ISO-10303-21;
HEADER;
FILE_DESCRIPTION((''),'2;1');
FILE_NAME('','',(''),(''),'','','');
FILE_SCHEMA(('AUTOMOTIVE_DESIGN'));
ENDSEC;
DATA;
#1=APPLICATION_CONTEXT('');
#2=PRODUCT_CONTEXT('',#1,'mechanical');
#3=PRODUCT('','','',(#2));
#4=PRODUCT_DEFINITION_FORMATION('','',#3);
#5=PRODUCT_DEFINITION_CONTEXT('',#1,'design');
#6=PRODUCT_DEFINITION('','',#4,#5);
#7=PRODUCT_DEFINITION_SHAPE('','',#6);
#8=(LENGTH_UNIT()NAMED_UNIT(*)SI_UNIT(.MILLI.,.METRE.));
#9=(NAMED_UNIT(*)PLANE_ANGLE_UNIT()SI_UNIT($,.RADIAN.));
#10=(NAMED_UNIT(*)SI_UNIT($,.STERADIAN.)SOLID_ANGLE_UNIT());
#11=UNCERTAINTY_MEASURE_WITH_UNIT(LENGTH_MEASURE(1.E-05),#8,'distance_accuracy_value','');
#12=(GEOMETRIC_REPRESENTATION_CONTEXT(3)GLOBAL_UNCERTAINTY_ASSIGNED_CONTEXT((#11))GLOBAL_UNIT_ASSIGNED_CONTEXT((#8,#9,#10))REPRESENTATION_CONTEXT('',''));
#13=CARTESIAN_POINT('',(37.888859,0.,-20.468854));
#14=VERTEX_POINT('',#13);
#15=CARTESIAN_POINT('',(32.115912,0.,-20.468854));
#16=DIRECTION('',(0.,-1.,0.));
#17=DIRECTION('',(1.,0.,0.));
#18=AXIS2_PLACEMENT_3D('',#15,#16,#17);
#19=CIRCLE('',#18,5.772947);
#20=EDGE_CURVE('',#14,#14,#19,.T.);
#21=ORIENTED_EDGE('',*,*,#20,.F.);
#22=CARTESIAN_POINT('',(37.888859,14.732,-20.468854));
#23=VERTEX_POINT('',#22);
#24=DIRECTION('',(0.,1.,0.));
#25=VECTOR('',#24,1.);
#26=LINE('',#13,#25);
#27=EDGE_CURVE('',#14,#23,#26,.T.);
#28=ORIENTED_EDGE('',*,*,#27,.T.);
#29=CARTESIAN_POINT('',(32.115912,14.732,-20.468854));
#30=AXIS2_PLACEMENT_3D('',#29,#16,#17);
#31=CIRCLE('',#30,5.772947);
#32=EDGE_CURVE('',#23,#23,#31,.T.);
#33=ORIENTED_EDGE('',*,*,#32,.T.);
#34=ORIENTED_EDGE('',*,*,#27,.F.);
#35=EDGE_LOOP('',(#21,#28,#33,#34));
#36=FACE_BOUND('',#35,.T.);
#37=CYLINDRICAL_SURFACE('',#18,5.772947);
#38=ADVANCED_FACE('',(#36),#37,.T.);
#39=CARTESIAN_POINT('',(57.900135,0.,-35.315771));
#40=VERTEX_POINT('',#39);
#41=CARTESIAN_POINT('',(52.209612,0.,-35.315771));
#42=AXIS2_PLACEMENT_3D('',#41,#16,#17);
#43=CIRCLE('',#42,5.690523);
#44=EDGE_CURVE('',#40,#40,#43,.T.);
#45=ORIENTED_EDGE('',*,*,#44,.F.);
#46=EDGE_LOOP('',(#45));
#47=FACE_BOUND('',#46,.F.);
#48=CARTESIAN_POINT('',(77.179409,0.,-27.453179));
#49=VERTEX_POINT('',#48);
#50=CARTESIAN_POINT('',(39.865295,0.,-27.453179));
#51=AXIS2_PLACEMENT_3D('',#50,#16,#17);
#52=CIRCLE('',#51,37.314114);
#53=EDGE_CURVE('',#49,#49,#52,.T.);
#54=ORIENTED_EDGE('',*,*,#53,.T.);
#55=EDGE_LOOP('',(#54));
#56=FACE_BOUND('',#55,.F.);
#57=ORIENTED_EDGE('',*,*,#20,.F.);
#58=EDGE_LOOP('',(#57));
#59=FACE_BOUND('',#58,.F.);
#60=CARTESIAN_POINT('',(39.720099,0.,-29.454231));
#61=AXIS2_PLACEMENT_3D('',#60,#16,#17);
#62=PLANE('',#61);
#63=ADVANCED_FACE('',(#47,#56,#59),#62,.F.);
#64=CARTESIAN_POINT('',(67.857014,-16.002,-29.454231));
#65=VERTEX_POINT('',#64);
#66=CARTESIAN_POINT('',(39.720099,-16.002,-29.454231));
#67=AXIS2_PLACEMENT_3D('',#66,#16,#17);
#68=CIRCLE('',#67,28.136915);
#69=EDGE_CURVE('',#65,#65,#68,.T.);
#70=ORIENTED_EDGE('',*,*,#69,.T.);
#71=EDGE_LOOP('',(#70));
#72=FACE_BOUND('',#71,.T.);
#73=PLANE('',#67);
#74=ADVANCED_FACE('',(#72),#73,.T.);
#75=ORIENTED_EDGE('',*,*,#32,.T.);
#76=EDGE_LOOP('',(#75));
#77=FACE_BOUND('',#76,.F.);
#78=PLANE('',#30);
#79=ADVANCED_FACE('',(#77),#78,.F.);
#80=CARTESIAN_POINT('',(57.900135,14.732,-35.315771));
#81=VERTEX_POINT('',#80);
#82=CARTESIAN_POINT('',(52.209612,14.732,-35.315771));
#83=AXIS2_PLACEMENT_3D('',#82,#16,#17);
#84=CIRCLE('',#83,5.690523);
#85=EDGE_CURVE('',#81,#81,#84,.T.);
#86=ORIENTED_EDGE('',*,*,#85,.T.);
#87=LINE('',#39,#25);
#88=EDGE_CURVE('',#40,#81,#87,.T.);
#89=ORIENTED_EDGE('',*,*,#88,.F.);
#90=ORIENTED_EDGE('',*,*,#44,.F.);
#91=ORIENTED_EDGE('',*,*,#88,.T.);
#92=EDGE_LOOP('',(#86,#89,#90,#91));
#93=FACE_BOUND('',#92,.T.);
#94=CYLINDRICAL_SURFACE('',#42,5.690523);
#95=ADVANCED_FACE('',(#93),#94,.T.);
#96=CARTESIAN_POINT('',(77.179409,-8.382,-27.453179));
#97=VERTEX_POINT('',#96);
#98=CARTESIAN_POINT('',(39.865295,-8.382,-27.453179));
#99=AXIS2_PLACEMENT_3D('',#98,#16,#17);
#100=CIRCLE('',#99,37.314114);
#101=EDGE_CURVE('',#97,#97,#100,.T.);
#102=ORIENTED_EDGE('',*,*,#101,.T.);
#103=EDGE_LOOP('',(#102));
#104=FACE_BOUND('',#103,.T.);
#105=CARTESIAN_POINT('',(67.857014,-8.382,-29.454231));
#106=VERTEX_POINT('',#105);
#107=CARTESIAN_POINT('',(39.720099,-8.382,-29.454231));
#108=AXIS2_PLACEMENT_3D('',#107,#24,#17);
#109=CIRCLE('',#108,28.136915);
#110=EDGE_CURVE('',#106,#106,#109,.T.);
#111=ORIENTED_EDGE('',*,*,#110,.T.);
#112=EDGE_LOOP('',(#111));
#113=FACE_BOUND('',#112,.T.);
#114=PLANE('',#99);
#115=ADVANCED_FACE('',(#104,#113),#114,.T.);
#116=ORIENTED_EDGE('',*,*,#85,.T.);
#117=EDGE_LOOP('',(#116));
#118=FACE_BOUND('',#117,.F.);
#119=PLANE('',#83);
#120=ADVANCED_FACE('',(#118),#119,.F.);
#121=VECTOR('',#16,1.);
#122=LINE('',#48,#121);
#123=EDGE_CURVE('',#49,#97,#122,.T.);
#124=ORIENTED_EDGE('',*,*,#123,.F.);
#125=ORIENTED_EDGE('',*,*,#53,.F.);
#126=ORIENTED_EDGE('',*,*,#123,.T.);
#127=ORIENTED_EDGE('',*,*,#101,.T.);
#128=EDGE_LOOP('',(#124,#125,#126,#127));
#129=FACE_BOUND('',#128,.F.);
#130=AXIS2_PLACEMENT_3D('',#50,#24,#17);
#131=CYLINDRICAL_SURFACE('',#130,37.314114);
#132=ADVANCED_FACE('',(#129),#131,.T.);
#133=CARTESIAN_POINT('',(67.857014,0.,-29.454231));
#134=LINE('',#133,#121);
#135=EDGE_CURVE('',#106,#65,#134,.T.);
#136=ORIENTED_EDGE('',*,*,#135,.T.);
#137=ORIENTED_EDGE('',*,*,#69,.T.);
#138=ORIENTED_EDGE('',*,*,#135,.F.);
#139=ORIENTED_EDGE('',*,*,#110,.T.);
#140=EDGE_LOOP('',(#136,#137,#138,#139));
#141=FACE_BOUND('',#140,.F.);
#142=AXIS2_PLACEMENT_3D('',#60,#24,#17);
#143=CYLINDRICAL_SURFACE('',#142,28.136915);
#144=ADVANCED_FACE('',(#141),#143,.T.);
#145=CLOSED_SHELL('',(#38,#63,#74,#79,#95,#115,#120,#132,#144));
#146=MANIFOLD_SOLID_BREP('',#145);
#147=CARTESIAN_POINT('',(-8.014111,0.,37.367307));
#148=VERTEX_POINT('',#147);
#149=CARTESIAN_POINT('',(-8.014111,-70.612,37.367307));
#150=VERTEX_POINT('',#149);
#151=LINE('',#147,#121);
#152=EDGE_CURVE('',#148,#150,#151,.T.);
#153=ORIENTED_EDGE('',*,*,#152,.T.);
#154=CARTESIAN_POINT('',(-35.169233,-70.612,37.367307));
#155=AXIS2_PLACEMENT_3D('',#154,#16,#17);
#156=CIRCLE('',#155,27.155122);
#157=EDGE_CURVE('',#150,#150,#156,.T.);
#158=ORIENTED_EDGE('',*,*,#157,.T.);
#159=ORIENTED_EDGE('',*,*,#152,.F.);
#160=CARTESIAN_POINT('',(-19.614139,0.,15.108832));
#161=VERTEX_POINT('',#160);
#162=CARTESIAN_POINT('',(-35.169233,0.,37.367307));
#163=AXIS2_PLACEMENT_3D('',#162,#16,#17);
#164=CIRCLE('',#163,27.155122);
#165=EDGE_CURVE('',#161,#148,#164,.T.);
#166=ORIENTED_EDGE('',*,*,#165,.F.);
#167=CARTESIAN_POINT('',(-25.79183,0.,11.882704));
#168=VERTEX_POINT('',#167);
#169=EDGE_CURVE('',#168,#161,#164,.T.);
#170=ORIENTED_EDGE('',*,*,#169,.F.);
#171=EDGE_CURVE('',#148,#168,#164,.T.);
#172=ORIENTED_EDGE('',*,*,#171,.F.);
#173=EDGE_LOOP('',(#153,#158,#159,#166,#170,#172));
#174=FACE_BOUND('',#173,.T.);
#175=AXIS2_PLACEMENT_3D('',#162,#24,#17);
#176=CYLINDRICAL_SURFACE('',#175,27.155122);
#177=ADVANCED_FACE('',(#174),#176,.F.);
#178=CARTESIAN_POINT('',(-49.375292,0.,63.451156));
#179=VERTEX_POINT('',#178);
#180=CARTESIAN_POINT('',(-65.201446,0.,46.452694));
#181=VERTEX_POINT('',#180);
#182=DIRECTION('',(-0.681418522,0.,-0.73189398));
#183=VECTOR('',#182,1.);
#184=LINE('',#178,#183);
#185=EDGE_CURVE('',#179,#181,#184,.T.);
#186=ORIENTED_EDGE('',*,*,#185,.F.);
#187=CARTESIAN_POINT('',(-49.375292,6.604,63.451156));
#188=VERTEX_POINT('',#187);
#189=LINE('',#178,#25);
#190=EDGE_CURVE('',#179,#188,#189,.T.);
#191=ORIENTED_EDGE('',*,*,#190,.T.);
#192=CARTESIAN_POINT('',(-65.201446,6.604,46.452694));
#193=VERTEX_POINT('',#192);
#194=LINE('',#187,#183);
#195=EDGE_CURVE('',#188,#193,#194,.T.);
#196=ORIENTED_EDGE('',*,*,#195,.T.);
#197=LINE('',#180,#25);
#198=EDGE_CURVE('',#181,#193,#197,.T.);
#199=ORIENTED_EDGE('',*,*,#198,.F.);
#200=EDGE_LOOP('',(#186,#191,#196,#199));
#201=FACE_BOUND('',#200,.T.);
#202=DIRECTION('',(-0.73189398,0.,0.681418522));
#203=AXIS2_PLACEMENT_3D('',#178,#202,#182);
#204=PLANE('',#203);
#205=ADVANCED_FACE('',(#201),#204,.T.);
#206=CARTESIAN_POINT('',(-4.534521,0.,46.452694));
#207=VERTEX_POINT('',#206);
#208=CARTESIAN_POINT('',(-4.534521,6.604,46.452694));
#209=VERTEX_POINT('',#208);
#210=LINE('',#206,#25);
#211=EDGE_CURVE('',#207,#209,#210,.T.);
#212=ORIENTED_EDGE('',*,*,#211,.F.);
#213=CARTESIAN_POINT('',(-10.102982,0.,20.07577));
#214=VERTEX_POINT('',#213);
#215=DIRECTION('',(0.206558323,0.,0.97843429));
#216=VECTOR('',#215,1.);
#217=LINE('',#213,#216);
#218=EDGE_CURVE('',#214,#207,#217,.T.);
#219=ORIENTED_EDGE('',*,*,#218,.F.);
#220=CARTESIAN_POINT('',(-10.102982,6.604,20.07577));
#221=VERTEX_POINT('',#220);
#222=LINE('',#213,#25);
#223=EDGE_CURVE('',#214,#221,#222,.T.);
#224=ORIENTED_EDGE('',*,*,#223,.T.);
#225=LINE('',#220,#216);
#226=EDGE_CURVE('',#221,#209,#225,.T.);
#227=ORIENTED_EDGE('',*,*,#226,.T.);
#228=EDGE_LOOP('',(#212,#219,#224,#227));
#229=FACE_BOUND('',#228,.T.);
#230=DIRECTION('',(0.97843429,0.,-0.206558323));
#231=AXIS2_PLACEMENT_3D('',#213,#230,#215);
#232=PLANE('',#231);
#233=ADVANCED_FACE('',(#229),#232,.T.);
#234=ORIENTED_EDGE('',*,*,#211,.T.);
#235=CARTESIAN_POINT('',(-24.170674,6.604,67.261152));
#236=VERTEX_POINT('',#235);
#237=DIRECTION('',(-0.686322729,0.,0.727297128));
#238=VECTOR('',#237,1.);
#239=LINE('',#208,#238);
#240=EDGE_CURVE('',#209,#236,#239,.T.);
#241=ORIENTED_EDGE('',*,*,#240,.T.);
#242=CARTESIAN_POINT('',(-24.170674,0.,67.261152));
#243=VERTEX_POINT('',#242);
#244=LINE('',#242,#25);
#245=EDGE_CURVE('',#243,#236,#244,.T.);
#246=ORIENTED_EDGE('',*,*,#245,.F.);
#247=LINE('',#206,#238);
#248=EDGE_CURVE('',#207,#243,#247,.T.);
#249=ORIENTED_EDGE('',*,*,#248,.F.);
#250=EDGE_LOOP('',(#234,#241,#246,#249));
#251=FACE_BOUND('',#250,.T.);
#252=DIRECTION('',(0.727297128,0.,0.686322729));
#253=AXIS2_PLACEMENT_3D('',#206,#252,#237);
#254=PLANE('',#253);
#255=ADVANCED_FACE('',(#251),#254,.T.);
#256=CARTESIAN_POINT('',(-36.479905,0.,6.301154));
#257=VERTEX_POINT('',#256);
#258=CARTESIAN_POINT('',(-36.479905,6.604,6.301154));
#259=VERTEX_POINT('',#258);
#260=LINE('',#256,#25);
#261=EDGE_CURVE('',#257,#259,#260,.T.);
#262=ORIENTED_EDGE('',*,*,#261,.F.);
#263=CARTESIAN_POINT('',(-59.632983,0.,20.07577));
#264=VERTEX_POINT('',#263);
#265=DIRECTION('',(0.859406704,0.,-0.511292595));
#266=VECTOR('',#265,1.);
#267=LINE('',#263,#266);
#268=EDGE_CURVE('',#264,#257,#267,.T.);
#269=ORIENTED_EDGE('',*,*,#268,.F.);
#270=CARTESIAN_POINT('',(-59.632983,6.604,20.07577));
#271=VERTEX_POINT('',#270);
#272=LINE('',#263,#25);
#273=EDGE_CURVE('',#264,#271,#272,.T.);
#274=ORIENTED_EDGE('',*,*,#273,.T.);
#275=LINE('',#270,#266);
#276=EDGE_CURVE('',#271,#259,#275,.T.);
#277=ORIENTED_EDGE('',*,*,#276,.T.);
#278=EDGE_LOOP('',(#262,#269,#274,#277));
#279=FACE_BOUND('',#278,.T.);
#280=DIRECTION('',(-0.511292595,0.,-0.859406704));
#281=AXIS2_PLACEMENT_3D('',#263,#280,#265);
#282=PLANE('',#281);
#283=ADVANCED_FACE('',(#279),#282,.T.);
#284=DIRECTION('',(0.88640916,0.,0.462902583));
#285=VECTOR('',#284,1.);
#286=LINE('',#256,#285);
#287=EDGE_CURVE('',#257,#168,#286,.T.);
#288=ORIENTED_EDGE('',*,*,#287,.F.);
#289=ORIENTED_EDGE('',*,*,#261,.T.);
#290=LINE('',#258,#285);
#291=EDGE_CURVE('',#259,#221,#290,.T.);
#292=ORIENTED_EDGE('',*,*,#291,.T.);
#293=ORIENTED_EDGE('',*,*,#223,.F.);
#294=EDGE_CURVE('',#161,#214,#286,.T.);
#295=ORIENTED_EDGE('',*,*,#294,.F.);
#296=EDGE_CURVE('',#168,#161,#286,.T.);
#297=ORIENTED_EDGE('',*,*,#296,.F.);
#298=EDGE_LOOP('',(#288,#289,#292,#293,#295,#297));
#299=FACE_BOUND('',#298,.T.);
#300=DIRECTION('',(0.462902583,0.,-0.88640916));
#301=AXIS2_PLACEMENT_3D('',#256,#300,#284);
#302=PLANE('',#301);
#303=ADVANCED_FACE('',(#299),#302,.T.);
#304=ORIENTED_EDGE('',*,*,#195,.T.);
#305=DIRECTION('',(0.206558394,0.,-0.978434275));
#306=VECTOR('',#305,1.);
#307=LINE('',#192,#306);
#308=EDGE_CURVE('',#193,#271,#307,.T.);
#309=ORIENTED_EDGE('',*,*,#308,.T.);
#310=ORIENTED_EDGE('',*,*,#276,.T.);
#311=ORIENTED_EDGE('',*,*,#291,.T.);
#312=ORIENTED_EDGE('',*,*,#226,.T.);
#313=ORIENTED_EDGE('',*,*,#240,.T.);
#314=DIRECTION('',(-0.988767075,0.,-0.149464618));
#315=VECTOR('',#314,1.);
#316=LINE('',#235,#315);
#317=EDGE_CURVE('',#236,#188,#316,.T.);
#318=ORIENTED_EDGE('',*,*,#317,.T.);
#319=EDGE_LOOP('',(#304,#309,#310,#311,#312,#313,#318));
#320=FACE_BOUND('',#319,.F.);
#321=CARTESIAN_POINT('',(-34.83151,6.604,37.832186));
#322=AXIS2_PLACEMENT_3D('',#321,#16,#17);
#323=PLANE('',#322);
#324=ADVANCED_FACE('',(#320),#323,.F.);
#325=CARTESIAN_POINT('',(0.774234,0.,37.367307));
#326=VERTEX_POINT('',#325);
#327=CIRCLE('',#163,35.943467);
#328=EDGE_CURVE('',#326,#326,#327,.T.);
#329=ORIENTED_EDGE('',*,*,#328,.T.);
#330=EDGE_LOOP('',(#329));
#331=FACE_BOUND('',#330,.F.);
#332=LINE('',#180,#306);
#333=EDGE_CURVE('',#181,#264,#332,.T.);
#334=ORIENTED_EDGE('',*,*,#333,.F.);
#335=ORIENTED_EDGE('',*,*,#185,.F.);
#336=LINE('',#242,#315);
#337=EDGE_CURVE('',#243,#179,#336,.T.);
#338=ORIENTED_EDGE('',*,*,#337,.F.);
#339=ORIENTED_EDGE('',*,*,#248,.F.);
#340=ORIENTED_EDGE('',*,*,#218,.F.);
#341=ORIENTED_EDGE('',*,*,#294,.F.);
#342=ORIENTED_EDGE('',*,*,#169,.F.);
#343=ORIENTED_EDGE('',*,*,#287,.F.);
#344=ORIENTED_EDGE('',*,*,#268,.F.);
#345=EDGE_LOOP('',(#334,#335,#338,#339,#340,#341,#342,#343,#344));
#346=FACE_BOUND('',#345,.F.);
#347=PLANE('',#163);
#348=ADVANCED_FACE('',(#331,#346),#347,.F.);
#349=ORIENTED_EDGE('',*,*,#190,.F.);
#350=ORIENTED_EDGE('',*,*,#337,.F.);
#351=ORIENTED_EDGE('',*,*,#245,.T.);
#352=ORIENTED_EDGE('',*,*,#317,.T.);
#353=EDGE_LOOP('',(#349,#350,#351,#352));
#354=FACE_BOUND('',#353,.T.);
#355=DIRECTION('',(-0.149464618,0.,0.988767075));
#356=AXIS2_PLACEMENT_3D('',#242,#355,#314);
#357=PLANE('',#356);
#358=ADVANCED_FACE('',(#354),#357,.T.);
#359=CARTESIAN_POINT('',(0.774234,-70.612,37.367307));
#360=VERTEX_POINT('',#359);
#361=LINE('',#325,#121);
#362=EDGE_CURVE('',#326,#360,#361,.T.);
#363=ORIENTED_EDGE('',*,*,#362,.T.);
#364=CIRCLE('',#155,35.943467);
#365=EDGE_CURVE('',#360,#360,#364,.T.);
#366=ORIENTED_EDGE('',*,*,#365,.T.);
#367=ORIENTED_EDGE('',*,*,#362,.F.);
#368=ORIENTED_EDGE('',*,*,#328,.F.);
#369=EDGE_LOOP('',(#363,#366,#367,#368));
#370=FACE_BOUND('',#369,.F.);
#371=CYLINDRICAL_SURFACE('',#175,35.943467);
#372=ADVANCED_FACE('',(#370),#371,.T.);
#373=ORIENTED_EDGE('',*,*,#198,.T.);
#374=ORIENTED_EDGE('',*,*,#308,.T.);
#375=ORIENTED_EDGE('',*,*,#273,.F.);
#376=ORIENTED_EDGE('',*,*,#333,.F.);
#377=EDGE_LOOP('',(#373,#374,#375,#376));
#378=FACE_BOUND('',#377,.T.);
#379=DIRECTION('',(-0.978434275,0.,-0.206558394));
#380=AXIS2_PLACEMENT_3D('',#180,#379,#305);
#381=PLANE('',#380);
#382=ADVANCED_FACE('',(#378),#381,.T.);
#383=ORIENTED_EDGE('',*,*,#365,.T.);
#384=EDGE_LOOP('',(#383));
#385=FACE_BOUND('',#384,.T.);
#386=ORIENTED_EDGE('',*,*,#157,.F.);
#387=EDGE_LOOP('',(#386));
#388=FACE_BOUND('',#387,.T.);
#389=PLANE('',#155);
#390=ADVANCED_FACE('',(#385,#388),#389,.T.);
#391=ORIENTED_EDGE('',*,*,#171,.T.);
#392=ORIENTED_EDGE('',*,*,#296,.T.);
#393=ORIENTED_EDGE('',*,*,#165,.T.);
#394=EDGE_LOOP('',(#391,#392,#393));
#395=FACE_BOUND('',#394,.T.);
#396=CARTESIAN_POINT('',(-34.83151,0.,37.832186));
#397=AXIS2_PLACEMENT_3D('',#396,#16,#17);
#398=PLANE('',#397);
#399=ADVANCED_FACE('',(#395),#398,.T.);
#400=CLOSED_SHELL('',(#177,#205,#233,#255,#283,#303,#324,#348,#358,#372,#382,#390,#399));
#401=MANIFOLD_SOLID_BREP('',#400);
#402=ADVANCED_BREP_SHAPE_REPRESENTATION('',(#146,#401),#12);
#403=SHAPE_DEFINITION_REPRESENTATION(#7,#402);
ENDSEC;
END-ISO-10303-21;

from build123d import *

# Parameters (mm, degrees)
F0_R     = 35.943467
F0_R_2   = 27.155122
F1_DEPTH = 70.612
F3_DEPTH = 6.604
F4_R     = 37.314114
F5_DEPTH = 8.382
F6_R     = 28.136915
F7_DEPTH = 16.002
F8_R     = 5.772947
F8_R_2   = 5.690523
F9_DEPTH = 14.732


with BuildPart() as f1:
    # F0 (on Front) → F1 (new body)
    with BuildSketch(Plane.XZ):
        with Locations((-35.169233, 37.367307)):
            Circle(F0_R)
        with Locations((-35.169233, 37.367307)):
            Circle(F0_R_2, mode=Mode.SUBTRACT)
    extrude(amount=F1_DEPTH)

    # F2 (on Front) → F3 (join)
    with BuildSketch(Plane.XZ):
        Polygon((-24.170674, 67.261152), (-49.375292, 63.451156), (-65.201446, 46.452694), (-59.632983, 20.07577), (-36.479905, 6.301154), (-10.102982, 20.07577), (-4.534521, 46.452694), align=None)
    extrude(amount=-F3_DEPTH)


with BuildPart() as f5:
    # F4 (on Front) → F5 (new body)
    with BuildSketch(Plane.XZ):
        with Locations((39.865295, -27.453179)):
            Circle(F4_R)
    extrude(amount=F5_DEPTH)

    # F6 (on Front) → F7 (join)
    with BuildSketch(Plane.XZ):
        with Locations((39.720099, -29.454231)):
            Circle(F6_R)
    extrude(amount=F7_DEPTH)

    # F8 (on Front) → F9 (join)
    with BuildSketch(Plane.XZ):
        with Locations((32.115912, -20.468854)):
            Circle(F8_R)
        with Locations((52.209612, -35.315771)):
            Circle(F8_R_2)
    extrude(amount=-F9_DEPTH)


solid = Compound([f1.part, f5.part])
